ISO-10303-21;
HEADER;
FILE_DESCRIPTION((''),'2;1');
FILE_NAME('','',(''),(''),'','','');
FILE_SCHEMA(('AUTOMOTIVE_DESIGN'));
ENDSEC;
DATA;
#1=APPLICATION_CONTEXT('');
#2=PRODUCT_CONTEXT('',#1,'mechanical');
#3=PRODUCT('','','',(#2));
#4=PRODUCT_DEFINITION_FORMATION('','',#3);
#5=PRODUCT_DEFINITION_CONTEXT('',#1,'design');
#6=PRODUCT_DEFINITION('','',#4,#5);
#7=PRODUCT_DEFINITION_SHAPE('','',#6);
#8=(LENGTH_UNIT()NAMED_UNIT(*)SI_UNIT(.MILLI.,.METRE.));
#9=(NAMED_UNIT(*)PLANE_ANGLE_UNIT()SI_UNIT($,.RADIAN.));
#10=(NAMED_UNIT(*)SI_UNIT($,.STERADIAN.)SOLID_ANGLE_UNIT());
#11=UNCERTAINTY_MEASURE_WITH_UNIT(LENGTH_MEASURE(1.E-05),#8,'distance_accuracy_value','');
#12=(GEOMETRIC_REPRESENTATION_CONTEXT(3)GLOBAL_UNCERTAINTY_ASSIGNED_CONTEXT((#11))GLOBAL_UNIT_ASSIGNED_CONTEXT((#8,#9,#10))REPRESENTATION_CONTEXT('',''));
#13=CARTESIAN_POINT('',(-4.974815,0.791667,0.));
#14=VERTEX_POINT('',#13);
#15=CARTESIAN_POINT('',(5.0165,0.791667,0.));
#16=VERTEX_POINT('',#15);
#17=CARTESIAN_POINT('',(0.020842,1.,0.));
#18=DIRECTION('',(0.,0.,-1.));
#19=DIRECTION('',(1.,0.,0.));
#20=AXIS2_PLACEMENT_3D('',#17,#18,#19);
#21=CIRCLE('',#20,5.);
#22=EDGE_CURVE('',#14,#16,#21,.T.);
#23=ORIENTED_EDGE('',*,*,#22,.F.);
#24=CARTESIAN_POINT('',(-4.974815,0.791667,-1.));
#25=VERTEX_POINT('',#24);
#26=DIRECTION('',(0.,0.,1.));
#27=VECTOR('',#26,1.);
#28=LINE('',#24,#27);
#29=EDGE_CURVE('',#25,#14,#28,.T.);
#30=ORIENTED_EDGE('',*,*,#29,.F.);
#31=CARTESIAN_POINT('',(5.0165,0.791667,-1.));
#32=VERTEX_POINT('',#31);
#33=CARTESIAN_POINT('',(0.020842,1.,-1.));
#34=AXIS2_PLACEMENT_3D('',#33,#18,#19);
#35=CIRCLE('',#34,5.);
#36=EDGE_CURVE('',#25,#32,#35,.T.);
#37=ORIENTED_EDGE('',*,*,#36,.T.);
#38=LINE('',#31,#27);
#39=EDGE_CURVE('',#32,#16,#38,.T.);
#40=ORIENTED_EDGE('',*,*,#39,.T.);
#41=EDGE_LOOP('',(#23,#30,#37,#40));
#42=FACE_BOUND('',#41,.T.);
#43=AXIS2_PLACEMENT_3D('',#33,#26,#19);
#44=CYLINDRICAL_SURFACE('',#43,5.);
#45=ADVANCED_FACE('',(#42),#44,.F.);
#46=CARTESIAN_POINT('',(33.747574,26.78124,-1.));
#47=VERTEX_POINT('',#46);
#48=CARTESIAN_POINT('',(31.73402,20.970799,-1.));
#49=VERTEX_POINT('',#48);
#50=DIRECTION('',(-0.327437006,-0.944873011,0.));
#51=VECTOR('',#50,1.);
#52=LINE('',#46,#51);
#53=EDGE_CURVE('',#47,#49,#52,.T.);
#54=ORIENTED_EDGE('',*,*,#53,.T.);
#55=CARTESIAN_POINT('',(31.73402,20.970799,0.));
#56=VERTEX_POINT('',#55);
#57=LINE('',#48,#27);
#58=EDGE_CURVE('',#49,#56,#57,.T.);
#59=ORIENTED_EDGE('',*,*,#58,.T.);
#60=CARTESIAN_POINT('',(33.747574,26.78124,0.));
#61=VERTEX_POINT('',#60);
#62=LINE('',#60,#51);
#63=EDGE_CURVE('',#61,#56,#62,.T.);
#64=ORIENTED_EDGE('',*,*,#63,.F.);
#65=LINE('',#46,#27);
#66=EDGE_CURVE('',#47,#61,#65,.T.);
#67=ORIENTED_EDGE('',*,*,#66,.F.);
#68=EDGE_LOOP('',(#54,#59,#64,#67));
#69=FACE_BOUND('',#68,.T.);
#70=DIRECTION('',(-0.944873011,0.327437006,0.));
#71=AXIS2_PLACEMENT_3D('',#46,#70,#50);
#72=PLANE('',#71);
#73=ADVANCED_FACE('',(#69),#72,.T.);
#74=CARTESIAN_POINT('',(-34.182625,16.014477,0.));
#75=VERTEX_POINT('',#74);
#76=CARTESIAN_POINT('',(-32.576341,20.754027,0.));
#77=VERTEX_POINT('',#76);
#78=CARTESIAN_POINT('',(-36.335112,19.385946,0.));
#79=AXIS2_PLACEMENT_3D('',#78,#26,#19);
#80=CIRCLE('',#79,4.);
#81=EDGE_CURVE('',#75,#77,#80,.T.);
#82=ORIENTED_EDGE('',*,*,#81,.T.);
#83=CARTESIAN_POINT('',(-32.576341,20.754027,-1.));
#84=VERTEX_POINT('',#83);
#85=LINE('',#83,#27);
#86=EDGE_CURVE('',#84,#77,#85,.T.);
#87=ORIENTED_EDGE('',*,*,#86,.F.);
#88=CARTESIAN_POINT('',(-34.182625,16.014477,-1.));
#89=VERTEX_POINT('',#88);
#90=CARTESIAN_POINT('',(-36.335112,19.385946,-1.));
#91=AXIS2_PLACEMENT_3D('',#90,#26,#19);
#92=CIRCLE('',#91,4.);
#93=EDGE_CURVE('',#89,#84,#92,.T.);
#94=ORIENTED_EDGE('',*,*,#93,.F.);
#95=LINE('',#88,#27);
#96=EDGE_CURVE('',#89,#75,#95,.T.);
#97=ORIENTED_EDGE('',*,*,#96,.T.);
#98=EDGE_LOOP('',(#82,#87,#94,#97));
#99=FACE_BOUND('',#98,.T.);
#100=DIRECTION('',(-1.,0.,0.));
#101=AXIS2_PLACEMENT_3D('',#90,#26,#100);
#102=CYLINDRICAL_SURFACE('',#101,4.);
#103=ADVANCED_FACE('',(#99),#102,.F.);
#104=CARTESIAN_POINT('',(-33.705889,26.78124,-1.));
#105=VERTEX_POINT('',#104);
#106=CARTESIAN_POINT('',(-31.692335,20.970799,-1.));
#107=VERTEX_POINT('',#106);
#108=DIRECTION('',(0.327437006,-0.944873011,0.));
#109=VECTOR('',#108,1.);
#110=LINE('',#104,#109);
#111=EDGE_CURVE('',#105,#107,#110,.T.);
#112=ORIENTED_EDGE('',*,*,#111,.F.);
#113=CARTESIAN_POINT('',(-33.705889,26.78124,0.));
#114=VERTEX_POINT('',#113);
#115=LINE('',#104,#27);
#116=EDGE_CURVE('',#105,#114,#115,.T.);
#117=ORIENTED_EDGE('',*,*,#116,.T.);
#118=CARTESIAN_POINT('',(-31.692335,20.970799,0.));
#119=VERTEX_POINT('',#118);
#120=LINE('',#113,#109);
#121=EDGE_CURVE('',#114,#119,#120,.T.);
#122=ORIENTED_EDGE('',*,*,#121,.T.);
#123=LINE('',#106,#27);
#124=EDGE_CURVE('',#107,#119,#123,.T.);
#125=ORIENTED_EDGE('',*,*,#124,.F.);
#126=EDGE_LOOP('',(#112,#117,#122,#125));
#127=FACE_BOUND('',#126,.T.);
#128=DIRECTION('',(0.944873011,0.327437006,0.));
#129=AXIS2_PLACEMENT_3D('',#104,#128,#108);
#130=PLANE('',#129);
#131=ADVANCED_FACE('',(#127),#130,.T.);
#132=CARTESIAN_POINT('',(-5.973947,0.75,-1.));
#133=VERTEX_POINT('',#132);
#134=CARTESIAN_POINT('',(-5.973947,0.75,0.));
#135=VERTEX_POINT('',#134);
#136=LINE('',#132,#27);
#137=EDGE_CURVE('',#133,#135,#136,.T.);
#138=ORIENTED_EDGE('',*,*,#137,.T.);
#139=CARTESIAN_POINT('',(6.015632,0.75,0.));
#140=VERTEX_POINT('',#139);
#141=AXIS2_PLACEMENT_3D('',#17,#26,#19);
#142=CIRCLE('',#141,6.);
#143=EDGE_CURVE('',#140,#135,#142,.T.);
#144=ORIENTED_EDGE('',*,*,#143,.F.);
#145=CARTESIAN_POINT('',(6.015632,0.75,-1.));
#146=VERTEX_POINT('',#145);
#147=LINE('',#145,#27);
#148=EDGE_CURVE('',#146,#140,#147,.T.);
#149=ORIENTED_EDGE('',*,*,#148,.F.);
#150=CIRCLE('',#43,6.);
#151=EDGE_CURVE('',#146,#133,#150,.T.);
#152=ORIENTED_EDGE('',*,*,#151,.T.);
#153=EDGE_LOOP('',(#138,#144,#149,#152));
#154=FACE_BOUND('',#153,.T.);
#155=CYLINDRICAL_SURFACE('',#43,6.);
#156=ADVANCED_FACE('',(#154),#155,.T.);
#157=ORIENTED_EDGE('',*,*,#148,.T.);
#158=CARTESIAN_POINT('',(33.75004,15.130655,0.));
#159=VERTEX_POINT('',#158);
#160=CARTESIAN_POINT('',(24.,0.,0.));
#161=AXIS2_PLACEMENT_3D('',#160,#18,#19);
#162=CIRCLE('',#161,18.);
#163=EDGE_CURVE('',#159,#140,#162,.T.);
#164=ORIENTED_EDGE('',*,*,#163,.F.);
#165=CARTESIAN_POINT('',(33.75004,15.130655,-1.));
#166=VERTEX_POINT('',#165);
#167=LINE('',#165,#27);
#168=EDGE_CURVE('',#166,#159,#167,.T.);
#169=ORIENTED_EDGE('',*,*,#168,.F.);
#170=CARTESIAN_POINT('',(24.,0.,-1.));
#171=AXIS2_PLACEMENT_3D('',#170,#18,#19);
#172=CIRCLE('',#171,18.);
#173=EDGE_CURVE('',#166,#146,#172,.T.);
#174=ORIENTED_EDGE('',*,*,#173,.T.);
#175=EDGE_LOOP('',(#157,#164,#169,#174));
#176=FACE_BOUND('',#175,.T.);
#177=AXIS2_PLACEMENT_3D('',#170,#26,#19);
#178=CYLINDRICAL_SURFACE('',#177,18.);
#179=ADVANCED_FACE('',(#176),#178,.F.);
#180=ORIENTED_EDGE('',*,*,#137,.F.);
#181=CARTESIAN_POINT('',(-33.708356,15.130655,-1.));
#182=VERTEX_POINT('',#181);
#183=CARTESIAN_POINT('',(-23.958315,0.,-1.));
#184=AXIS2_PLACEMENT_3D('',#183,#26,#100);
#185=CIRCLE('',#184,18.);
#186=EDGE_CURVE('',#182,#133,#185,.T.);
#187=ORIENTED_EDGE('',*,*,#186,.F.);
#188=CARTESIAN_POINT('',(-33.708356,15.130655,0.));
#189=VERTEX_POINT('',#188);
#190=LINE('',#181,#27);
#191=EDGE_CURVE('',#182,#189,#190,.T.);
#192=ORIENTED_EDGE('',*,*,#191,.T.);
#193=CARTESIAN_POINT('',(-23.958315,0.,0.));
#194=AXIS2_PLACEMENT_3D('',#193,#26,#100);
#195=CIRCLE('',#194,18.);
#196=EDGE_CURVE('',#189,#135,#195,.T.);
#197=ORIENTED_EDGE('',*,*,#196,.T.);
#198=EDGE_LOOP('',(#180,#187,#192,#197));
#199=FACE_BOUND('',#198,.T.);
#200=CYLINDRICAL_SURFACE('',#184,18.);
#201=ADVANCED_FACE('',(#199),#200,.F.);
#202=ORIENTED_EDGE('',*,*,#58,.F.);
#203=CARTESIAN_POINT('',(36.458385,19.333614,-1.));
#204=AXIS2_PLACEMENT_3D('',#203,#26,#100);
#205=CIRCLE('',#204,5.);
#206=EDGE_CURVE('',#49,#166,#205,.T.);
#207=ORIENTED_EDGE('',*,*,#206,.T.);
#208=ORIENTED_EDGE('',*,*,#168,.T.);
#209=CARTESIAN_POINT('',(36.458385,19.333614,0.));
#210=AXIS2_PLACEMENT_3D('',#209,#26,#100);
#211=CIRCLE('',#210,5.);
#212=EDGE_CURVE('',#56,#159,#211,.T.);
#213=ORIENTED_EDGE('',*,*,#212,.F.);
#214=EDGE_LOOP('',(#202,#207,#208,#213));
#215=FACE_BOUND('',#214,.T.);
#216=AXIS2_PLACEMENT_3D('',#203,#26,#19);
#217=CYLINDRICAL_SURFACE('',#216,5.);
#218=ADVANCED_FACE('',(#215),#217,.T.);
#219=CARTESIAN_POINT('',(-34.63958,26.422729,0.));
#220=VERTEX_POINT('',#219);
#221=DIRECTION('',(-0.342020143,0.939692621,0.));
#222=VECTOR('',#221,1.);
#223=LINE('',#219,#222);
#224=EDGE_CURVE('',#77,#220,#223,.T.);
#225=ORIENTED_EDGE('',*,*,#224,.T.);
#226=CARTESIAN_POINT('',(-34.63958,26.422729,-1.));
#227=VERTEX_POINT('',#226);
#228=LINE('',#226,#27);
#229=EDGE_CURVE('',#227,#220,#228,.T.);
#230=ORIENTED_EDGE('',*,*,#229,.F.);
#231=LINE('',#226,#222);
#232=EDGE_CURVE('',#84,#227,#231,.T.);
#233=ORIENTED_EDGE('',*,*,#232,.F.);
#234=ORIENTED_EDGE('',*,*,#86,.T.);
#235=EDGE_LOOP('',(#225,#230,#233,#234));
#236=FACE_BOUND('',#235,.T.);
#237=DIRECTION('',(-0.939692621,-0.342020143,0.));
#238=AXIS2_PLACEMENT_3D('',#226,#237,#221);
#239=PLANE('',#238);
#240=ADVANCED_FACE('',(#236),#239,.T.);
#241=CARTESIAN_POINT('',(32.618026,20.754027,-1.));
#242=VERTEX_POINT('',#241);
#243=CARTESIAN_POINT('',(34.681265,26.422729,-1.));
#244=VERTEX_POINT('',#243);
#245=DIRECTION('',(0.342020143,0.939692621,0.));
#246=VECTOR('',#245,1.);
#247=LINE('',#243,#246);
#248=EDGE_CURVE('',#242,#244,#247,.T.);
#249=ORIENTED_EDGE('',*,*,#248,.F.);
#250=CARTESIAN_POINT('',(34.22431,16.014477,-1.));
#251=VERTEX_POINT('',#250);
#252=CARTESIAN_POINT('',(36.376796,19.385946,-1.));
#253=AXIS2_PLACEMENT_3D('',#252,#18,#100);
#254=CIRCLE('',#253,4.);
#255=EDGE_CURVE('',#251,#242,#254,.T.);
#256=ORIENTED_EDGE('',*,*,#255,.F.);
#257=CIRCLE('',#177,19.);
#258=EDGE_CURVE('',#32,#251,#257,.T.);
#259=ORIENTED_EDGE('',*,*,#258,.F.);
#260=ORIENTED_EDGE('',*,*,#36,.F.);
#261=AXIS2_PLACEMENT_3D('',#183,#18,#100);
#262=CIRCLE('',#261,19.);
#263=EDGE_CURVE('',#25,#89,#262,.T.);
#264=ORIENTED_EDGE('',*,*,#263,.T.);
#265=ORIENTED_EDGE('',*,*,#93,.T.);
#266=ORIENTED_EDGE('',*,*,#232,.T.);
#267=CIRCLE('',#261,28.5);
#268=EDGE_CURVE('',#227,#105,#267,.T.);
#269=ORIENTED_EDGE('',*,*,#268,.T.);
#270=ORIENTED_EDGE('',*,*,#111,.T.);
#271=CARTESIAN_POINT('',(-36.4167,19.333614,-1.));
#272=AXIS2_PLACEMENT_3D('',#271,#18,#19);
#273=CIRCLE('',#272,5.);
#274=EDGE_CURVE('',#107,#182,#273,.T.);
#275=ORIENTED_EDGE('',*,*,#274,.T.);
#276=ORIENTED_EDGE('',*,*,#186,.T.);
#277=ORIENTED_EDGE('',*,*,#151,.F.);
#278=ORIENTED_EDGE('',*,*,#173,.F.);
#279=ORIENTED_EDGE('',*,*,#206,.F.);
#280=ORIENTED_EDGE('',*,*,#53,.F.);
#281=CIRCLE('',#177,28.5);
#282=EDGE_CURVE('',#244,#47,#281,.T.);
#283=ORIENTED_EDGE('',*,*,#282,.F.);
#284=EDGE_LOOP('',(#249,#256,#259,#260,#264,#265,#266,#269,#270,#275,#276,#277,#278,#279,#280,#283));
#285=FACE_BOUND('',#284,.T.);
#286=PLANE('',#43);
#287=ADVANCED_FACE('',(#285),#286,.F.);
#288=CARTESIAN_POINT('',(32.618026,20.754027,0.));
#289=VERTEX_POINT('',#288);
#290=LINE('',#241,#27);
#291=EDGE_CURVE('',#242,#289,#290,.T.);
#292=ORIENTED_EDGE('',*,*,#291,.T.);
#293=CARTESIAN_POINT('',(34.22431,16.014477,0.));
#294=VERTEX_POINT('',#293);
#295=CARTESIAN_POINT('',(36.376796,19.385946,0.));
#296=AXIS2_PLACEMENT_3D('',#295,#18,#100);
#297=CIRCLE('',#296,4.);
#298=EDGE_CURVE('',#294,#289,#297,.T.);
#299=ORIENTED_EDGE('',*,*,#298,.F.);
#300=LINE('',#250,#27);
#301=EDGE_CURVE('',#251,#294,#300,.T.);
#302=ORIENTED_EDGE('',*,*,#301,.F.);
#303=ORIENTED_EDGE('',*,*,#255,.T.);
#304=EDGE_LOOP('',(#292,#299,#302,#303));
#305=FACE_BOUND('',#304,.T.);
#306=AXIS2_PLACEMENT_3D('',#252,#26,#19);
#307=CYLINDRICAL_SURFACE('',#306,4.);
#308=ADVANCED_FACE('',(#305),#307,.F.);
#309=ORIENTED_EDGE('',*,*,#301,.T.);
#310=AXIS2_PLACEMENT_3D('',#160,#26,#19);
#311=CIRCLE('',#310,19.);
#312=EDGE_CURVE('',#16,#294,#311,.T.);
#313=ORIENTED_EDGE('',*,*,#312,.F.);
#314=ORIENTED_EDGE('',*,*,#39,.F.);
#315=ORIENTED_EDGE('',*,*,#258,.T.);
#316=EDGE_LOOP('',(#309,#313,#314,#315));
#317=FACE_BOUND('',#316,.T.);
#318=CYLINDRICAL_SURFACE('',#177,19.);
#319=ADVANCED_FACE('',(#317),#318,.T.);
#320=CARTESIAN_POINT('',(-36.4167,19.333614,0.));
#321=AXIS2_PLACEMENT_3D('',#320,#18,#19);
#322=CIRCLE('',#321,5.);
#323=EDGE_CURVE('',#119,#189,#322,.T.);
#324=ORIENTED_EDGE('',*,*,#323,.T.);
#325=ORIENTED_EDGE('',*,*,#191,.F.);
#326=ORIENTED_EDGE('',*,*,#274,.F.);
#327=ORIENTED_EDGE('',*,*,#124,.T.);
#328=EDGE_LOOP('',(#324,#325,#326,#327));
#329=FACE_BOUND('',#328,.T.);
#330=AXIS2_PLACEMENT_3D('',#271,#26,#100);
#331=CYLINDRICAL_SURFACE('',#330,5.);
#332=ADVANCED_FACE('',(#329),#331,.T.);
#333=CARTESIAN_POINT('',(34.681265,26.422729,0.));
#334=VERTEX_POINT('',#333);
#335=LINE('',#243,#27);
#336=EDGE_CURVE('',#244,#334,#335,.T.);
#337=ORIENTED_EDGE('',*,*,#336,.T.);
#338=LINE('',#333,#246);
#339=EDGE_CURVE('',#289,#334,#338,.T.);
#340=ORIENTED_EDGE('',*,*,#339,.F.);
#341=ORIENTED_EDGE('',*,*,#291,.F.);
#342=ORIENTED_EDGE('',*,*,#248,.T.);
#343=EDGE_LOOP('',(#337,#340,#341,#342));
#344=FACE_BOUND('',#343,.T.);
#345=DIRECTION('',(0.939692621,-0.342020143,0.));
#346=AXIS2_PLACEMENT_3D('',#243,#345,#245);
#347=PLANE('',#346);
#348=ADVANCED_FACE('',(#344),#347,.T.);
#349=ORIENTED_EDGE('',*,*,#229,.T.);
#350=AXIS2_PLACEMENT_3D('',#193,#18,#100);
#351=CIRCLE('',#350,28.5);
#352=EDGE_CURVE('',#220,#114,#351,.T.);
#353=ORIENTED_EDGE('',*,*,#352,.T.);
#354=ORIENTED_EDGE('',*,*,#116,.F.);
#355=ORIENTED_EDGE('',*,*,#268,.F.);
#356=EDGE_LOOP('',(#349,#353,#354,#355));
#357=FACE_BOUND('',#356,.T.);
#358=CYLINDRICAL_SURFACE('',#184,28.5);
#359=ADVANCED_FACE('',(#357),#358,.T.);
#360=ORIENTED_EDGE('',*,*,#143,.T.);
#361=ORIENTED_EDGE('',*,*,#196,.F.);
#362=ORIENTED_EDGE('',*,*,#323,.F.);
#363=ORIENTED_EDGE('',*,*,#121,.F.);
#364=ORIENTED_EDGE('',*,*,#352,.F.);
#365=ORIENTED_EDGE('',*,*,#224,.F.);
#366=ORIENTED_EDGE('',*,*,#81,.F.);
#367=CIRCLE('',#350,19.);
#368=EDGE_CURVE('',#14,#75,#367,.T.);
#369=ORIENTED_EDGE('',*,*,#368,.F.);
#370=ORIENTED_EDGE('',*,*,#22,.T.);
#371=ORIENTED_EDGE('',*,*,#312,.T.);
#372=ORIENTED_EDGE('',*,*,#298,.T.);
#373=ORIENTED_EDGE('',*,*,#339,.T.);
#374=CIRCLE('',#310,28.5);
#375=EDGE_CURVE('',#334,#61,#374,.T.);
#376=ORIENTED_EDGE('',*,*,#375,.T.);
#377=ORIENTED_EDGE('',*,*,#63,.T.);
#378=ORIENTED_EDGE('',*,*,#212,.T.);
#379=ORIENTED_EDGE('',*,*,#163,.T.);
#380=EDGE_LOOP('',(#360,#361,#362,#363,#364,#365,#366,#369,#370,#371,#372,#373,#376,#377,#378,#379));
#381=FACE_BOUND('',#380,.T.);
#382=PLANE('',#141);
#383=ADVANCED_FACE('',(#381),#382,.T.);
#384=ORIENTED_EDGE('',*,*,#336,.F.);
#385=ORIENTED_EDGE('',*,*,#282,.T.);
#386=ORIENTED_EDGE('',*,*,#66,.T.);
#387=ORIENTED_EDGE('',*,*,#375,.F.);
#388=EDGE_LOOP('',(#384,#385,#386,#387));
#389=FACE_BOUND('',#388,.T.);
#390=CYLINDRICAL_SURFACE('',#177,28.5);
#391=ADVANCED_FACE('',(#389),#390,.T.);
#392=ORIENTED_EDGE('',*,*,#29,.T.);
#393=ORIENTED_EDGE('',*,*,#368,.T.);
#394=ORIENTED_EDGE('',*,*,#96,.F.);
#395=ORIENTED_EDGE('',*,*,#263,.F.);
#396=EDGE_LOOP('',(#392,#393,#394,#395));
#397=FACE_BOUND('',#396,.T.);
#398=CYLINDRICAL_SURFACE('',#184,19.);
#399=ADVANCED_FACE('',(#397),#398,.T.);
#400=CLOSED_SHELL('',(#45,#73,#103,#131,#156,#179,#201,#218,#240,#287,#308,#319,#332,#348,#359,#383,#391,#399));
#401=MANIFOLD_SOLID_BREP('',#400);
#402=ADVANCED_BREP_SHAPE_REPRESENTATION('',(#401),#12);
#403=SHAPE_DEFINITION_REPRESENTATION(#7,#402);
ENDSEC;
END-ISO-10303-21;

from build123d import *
from build123d.topology import SkipClean

# Parameters (mm, degrees)
BASE_EXTRUSION_DEPTH = 1


with BuildPart() as part:
    # Esquisse2 → Base-Extrusion (new body)
    with BuildSketch(Plane.XY):
        with BuildLine():
            Line((34.681264504, 26.422728636), (32.618025795, 20.754026872))
            ThreePointArc((32.618025795, 20.754026872), (32.588449466, 18.102034919), (34.224309969, 16.014477377))
            ThreePointArc((34.224309969, 16.014477377), (32.781477268, -16.8489067), (5.01650022, 0.791666667))
            ThreePointArc((5.01650022, 0.791666667), (3.629281566, 4.461093276), (0.020842383, 6))
            Line((0.020842383, 6), (0.020842383, 7))
            ThreePointArc((0.020842383, 7), (4.350969402, 5.153311931), (6.015631788, 0.75))
            ThreePointArc((6.015631788, 0.75), (32.285641023, -15.979616793), (33.750040286, 15.130654792))
            ThreePointArc((33.750040286, 15.130654792), (31.732063255, 17.702086165), (31.734019754, 20.970799485))
            Line((31.734019754, 20.970799485), (33.747574085, 26.781239692))
            ThreePointArc((33.747574085, 26.781239692), (34.215992075, 26.606080244), (34.681264504, 26.422728636))
        make_face()
    extrude(amount=-BASE_EXTRUSION_DEPTH)

    # Bossage-Symétrie1: part across plane


with BuildPart() as part_1:
    with SkipClean():  # the faces are left unmerged after this step: merging them gives an invalid solid
        add(part.part)
        add(part.part.mirror(Plane(origin=(0.020842383, 7, -1), x_dir=(0, 0, 1), z_dir=(-1, 0, 0))))


solid = part_1.part
